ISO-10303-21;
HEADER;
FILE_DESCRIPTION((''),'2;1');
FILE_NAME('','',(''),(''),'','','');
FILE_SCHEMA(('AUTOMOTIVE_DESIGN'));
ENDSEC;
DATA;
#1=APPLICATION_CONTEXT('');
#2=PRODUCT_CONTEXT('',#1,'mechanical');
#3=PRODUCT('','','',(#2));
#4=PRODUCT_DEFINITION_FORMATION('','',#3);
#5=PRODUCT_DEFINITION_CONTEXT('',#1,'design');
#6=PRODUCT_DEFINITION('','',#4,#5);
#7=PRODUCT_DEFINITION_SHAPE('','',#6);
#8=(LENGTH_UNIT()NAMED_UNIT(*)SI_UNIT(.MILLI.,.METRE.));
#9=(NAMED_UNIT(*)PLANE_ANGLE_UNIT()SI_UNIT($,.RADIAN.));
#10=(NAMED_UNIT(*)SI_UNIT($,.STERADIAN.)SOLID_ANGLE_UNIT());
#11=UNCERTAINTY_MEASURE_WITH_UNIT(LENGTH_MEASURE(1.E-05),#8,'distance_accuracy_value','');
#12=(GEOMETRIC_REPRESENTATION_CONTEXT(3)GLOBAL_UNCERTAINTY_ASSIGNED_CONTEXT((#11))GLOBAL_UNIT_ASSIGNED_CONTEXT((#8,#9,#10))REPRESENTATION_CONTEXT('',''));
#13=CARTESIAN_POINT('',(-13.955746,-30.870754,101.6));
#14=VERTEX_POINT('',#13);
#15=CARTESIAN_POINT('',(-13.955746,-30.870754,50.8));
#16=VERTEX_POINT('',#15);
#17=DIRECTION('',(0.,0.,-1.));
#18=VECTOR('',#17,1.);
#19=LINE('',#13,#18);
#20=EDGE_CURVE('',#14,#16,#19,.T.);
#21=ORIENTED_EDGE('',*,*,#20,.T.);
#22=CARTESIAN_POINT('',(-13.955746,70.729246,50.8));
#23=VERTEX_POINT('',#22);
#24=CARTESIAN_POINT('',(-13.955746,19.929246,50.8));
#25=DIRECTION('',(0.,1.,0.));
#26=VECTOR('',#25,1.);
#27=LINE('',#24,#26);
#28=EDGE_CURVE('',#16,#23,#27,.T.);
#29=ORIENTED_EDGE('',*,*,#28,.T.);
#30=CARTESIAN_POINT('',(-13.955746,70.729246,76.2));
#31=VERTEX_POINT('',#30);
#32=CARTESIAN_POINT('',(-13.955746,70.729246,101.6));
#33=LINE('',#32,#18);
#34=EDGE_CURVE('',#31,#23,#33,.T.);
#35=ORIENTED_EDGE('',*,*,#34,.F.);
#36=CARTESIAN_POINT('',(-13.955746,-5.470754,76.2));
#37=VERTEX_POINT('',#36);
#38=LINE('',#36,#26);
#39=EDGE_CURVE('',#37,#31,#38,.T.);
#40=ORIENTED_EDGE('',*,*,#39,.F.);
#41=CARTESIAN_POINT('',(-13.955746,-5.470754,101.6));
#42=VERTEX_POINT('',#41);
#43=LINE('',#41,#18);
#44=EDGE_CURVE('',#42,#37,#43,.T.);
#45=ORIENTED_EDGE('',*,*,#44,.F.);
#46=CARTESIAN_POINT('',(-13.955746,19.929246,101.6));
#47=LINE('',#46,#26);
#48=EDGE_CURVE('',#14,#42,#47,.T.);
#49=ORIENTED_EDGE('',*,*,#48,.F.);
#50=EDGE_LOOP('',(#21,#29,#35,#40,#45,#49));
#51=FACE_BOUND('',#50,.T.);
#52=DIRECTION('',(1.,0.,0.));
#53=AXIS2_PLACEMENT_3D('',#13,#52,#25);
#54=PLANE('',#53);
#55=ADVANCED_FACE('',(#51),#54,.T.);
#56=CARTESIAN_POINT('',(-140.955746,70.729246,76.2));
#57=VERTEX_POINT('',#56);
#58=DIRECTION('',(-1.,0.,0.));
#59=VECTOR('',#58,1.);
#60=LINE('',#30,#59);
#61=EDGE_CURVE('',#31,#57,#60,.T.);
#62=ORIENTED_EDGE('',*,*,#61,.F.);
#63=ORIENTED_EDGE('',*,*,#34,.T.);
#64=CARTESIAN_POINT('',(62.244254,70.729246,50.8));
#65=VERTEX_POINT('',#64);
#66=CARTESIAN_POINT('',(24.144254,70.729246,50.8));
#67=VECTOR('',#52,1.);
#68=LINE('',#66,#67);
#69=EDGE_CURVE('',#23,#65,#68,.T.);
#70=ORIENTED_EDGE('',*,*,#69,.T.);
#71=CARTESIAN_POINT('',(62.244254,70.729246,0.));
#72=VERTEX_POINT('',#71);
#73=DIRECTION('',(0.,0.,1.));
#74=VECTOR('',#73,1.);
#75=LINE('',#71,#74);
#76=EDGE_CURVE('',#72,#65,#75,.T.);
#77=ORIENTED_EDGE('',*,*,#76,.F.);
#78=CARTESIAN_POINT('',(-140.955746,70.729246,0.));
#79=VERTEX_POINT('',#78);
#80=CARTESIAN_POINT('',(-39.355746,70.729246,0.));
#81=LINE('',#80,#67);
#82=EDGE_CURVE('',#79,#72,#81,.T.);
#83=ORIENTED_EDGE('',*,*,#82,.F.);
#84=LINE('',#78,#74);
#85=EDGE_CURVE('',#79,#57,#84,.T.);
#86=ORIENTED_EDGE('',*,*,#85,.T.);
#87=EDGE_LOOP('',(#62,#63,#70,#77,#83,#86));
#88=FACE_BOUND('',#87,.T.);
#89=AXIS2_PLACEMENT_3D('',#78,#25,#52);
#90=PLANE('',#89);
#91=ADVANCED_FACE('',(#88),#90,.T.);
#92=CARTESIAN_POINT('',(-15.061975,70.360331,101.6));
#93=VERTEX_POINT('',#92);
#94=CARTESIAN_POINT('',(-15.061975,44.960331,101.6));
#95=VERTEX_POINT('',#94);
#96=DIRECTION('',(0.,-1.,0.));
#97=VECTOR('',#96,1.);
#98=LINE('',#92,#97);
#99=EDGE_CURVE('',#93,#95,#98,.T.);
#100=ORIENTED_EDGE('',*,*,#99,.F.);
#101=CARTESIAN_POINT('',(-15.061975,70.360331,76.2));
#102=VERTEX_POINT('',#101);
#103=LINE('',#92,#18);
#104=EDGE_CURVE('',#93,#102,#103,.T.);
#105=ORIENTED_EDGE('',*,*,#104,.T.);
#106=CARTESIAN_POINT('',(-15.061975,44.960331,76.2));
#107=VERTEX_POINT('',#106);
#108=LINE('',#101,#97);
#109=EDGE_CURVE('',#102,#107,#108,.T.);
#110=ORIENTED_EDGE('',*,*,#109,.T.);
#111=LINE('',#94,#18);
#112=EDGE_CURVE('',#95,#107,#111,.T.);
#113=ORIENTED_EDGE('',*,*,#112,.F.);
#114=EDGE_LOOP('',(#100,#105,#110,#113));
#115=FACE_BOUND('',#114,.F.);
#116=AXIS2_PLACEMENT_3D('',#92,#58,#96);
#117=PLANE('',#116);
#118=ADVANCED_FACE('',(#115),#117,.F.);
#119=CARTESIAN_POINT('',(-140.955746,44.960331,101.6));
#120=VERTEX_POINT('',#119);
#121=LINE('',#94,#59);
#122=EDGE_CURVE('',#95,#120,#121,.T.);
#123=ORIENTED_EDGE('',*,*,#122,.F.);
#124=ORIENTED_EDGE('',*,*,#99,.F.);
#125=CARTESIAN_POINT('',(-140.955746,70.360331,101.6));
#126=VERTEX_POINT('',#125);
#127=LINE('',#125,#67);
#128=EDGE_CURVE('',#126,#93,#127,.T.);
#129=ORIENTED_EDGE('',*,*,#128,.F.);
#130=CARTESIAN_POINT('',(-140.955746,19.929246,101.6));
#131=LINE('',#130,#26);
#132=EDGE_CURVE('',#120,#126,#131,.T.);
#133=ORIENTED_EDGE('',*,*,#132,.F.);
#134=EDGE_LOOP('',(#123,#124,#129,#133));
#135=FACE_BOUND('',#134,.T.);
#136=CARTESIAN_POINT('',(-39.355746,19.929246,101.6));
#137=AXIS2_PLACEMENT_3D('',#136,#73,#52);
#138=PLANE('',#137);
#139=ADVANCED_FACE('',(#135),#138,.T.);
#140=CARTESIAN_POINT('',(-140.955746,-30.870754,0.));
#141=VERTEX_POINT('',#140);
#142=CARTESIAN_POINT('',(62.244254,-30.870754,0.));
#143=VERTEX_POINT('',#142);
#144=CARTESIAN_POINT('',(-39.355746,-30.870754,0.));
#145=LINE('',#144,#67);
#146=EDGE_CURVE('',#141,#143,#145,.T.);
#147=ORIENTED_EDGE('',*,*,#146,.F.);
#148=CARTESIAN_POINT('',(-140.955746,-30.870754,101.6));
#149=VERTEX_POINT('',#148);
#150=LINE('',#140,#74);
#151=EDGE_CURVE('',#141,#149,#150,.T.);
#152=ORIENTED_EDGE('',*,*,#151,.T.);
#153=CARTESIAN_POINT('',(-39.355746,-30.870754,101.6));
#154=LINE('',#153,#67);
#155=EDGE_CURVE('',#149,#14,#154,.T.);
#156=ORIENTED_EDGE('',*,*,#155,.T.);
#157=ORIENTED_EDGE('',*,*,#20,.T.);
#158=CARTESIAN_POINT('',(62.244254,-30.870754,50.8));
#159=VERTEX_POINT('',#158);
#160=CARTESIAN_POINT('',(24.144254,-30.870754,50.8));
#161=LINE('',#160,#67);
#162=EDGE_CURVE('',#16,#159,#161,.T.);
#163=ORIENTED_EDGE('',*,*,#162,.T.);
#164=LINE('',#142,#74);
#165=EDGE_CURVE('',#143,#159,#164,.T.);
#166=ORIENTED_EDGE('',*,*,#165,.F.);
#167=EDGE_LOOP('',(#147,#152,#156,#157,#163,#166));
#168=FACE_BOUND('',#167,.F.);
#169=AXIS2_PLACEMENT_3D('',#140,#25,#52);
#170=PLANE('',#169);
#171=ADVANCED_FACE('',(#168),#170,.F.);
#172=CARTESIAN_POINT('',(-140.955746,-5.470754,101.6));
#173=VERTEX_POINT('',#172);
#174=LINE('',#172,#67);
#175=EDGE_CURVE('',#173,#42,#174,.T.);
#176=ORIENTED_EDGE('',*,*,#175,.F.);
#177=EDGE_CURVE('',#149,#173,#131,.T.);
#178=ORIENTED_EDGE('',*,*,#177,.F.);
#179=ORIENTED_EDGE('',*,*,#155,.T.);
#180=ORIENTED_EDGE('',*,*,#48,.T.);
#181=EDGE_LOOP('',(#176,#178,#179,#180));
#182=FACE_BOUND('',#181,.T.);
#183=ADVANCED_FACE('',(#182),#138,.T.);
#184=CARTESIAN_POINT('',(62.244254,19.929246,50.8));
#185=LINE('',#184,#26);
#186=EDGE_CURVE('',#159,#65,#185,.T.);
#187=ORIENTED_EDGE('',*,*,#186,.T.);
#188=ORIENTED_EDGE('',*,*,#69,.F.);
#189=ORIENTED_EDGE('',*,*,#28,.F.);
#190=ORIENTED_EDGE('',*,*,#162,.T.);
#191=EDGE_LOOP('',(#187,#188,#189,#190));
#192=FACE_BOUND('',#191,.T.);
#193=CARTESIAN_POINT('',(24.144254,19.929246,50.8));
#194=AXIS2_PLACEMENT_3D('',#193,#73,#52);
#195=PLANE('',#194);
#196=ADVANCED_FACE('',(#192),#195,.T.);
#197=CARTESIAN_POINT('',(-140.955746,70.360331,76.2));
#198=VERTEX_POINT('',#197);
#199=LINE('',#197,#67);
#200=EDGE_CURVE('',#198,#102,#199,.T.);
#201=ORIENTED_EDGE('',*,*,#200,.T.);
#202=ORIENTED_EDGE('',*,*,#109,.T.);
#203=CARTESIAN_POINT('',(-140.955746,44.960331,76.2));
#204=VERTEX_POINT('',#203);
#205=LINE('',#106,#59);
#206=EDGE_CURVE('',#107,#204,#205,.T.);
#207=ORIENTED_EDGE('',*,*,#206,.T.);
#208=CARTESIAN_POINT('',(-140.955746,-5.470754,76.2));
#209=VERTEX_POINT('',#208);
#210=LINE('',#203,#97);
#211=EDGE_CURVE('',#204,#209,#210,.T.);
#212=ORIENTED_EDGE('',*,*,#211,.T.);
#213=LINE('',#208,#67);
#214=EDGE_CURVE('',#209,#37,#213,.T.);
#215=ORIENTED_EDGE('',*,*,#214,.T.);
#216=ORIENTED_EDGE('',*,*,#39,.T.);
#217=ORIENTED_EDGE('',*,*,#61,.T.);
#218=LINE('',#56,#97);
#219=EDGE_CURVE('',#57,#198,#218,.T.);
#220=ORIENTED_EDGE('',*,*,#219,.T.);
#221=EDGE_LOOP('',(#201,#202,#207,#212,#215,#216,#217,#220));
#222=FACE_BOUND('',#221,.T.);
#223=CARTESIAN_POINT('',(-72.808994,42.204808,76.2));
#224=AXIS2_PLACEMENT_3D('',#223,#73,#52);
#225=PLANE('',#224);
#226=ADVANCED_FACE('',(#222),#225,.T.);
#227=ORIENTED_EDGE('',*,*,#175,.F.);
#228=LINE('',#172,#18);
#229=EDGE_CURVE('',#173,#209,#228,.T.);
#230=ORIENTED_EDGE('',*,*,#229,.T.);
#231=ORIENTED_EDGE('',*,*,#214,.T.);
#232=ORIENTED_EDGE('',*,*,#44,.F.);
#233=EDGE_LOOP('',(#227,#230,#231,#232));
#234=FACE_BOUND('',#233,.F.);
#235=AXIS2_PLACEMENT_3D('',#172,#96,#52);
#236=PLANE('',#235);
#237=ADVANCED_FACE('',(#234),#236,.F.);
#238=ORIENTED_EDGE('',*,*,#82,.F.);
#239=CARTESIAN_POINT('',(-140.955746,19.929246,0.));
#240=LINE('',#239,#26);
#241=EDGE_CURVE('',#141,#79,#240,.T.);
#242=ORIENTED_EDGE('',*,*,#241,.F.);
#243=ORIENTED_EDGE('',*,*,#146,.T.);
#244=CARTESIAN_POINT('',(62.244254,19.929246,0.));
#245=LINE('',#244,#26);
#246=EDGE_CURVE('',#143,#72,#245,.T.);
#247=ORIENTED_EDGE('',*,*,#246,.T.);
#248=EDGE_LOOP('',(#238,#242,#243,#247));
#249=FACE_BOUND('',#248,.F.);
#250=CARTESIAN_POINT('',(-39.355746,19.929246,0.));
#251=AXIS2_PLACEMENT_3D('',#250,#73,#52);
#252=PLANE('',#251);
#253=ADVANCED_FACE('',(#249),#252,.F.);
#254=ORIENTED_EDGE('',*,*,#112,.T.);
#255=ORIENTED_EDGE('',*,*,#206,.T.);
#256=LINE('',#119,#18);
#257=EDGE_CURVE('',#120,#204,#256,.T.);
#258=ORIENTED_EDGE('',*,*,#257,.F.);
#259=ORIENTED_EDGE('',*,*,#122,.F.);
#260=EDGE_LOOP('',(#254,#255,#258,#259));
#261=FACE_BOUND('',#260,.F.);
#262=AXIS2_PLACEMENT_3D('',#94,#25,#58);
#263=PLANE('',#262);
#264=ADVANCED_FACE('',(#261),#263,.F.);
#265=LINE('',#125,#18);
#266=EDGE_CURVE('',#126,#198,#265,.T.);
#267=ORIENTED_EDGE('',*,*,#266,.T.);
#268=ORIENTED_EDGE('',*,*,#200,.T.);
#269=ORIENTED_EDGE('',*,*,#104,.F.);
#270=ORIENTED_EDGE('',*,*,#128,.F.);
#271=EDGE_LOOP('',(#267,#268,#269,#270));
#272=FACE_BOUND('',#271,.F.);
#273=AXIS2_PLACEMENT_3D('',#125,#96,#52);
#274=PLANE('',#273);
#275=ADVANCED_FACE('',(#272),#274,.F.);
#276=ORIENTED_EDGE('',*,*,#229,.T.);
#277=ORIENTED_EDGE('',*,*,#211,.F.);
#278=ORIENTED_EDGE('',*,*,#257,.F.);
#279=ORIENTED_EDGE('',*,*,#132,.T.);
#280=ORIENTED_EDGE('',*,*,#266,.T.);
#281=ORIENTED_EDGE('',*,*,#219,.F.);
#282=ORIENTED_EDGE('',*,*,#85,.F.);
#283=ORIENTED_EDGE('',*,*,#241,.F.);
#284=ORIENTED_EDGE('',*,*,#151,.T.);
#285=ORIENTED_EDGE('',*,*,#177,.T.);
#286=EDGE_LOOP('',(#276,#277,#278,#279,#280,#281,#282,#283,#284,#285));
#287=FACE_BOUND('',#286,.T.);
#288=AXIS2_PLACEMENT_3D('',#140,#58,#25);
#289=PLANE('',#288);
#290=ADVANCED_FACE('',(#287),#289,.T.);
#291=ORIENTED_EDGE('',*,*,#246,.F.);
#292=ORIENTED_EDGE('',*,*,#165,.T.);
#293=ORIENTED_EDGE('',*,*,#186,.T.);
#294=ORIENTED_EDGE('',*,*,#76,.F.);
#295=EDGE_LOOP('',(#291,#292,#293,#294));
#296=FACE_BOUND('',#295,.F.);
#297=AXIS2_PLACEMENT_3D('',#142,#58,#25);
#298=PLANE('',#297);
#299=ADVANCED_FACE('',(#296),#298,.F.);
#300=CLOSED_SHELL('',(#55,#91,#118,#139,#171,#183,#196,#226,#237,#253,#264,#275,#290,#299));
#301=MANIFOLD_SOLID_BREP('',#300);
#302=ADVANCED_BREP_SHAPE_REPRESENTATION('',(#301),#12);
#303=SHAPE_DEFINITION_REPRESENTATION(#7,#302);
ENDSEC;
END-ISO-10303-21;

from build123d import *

# Parameters (mm, degrees)
F0_W     = 203.2
F0_H     = 101.6
F1_DEPTH = 101.6
F2_W     = 76.2
F2_H     = 101.6
F3_DEPTH = 50.8
F6_DEPTH = 25.4


with BuildPart() as f1:
    # F0 (on Top) → F1 (new body)
    with BuildSketch(Plane.XY):
        with Locations((-39.355746, 19.929246)):
            Rectangle(F0_W, F0_H)
    extrude(amount=F1_DEPTH)

    # F2 (on face) → F3 (cut)
    with BuildSketch(Plane.XY.offset(101.6)):
        with Locations((24.144254, 19.929246)):
            Rectangle(F2_W, F2_H)
    extrude(amount=-F3_DEPTH, mode=Mode.SUBTRACT)

    # F5 (on face) → F6 (cut)
    with BuildSketch(Plane.XY.offset(101.6)):
        Polygon((-140.955746, 70.729246), (-140.955746, 70.360331), (-15.061975, 70.360331), (-15.061975, 44.960331), (-140.955746, 44.960331), (-140.955746, -5.470754), (-13.955746, -5.470754), (-13.955746, 70.729246), align=None)
    extrude(amount=-F6_DEPTH, mode=Mode.SUBTRACT)


solid = f1.part
